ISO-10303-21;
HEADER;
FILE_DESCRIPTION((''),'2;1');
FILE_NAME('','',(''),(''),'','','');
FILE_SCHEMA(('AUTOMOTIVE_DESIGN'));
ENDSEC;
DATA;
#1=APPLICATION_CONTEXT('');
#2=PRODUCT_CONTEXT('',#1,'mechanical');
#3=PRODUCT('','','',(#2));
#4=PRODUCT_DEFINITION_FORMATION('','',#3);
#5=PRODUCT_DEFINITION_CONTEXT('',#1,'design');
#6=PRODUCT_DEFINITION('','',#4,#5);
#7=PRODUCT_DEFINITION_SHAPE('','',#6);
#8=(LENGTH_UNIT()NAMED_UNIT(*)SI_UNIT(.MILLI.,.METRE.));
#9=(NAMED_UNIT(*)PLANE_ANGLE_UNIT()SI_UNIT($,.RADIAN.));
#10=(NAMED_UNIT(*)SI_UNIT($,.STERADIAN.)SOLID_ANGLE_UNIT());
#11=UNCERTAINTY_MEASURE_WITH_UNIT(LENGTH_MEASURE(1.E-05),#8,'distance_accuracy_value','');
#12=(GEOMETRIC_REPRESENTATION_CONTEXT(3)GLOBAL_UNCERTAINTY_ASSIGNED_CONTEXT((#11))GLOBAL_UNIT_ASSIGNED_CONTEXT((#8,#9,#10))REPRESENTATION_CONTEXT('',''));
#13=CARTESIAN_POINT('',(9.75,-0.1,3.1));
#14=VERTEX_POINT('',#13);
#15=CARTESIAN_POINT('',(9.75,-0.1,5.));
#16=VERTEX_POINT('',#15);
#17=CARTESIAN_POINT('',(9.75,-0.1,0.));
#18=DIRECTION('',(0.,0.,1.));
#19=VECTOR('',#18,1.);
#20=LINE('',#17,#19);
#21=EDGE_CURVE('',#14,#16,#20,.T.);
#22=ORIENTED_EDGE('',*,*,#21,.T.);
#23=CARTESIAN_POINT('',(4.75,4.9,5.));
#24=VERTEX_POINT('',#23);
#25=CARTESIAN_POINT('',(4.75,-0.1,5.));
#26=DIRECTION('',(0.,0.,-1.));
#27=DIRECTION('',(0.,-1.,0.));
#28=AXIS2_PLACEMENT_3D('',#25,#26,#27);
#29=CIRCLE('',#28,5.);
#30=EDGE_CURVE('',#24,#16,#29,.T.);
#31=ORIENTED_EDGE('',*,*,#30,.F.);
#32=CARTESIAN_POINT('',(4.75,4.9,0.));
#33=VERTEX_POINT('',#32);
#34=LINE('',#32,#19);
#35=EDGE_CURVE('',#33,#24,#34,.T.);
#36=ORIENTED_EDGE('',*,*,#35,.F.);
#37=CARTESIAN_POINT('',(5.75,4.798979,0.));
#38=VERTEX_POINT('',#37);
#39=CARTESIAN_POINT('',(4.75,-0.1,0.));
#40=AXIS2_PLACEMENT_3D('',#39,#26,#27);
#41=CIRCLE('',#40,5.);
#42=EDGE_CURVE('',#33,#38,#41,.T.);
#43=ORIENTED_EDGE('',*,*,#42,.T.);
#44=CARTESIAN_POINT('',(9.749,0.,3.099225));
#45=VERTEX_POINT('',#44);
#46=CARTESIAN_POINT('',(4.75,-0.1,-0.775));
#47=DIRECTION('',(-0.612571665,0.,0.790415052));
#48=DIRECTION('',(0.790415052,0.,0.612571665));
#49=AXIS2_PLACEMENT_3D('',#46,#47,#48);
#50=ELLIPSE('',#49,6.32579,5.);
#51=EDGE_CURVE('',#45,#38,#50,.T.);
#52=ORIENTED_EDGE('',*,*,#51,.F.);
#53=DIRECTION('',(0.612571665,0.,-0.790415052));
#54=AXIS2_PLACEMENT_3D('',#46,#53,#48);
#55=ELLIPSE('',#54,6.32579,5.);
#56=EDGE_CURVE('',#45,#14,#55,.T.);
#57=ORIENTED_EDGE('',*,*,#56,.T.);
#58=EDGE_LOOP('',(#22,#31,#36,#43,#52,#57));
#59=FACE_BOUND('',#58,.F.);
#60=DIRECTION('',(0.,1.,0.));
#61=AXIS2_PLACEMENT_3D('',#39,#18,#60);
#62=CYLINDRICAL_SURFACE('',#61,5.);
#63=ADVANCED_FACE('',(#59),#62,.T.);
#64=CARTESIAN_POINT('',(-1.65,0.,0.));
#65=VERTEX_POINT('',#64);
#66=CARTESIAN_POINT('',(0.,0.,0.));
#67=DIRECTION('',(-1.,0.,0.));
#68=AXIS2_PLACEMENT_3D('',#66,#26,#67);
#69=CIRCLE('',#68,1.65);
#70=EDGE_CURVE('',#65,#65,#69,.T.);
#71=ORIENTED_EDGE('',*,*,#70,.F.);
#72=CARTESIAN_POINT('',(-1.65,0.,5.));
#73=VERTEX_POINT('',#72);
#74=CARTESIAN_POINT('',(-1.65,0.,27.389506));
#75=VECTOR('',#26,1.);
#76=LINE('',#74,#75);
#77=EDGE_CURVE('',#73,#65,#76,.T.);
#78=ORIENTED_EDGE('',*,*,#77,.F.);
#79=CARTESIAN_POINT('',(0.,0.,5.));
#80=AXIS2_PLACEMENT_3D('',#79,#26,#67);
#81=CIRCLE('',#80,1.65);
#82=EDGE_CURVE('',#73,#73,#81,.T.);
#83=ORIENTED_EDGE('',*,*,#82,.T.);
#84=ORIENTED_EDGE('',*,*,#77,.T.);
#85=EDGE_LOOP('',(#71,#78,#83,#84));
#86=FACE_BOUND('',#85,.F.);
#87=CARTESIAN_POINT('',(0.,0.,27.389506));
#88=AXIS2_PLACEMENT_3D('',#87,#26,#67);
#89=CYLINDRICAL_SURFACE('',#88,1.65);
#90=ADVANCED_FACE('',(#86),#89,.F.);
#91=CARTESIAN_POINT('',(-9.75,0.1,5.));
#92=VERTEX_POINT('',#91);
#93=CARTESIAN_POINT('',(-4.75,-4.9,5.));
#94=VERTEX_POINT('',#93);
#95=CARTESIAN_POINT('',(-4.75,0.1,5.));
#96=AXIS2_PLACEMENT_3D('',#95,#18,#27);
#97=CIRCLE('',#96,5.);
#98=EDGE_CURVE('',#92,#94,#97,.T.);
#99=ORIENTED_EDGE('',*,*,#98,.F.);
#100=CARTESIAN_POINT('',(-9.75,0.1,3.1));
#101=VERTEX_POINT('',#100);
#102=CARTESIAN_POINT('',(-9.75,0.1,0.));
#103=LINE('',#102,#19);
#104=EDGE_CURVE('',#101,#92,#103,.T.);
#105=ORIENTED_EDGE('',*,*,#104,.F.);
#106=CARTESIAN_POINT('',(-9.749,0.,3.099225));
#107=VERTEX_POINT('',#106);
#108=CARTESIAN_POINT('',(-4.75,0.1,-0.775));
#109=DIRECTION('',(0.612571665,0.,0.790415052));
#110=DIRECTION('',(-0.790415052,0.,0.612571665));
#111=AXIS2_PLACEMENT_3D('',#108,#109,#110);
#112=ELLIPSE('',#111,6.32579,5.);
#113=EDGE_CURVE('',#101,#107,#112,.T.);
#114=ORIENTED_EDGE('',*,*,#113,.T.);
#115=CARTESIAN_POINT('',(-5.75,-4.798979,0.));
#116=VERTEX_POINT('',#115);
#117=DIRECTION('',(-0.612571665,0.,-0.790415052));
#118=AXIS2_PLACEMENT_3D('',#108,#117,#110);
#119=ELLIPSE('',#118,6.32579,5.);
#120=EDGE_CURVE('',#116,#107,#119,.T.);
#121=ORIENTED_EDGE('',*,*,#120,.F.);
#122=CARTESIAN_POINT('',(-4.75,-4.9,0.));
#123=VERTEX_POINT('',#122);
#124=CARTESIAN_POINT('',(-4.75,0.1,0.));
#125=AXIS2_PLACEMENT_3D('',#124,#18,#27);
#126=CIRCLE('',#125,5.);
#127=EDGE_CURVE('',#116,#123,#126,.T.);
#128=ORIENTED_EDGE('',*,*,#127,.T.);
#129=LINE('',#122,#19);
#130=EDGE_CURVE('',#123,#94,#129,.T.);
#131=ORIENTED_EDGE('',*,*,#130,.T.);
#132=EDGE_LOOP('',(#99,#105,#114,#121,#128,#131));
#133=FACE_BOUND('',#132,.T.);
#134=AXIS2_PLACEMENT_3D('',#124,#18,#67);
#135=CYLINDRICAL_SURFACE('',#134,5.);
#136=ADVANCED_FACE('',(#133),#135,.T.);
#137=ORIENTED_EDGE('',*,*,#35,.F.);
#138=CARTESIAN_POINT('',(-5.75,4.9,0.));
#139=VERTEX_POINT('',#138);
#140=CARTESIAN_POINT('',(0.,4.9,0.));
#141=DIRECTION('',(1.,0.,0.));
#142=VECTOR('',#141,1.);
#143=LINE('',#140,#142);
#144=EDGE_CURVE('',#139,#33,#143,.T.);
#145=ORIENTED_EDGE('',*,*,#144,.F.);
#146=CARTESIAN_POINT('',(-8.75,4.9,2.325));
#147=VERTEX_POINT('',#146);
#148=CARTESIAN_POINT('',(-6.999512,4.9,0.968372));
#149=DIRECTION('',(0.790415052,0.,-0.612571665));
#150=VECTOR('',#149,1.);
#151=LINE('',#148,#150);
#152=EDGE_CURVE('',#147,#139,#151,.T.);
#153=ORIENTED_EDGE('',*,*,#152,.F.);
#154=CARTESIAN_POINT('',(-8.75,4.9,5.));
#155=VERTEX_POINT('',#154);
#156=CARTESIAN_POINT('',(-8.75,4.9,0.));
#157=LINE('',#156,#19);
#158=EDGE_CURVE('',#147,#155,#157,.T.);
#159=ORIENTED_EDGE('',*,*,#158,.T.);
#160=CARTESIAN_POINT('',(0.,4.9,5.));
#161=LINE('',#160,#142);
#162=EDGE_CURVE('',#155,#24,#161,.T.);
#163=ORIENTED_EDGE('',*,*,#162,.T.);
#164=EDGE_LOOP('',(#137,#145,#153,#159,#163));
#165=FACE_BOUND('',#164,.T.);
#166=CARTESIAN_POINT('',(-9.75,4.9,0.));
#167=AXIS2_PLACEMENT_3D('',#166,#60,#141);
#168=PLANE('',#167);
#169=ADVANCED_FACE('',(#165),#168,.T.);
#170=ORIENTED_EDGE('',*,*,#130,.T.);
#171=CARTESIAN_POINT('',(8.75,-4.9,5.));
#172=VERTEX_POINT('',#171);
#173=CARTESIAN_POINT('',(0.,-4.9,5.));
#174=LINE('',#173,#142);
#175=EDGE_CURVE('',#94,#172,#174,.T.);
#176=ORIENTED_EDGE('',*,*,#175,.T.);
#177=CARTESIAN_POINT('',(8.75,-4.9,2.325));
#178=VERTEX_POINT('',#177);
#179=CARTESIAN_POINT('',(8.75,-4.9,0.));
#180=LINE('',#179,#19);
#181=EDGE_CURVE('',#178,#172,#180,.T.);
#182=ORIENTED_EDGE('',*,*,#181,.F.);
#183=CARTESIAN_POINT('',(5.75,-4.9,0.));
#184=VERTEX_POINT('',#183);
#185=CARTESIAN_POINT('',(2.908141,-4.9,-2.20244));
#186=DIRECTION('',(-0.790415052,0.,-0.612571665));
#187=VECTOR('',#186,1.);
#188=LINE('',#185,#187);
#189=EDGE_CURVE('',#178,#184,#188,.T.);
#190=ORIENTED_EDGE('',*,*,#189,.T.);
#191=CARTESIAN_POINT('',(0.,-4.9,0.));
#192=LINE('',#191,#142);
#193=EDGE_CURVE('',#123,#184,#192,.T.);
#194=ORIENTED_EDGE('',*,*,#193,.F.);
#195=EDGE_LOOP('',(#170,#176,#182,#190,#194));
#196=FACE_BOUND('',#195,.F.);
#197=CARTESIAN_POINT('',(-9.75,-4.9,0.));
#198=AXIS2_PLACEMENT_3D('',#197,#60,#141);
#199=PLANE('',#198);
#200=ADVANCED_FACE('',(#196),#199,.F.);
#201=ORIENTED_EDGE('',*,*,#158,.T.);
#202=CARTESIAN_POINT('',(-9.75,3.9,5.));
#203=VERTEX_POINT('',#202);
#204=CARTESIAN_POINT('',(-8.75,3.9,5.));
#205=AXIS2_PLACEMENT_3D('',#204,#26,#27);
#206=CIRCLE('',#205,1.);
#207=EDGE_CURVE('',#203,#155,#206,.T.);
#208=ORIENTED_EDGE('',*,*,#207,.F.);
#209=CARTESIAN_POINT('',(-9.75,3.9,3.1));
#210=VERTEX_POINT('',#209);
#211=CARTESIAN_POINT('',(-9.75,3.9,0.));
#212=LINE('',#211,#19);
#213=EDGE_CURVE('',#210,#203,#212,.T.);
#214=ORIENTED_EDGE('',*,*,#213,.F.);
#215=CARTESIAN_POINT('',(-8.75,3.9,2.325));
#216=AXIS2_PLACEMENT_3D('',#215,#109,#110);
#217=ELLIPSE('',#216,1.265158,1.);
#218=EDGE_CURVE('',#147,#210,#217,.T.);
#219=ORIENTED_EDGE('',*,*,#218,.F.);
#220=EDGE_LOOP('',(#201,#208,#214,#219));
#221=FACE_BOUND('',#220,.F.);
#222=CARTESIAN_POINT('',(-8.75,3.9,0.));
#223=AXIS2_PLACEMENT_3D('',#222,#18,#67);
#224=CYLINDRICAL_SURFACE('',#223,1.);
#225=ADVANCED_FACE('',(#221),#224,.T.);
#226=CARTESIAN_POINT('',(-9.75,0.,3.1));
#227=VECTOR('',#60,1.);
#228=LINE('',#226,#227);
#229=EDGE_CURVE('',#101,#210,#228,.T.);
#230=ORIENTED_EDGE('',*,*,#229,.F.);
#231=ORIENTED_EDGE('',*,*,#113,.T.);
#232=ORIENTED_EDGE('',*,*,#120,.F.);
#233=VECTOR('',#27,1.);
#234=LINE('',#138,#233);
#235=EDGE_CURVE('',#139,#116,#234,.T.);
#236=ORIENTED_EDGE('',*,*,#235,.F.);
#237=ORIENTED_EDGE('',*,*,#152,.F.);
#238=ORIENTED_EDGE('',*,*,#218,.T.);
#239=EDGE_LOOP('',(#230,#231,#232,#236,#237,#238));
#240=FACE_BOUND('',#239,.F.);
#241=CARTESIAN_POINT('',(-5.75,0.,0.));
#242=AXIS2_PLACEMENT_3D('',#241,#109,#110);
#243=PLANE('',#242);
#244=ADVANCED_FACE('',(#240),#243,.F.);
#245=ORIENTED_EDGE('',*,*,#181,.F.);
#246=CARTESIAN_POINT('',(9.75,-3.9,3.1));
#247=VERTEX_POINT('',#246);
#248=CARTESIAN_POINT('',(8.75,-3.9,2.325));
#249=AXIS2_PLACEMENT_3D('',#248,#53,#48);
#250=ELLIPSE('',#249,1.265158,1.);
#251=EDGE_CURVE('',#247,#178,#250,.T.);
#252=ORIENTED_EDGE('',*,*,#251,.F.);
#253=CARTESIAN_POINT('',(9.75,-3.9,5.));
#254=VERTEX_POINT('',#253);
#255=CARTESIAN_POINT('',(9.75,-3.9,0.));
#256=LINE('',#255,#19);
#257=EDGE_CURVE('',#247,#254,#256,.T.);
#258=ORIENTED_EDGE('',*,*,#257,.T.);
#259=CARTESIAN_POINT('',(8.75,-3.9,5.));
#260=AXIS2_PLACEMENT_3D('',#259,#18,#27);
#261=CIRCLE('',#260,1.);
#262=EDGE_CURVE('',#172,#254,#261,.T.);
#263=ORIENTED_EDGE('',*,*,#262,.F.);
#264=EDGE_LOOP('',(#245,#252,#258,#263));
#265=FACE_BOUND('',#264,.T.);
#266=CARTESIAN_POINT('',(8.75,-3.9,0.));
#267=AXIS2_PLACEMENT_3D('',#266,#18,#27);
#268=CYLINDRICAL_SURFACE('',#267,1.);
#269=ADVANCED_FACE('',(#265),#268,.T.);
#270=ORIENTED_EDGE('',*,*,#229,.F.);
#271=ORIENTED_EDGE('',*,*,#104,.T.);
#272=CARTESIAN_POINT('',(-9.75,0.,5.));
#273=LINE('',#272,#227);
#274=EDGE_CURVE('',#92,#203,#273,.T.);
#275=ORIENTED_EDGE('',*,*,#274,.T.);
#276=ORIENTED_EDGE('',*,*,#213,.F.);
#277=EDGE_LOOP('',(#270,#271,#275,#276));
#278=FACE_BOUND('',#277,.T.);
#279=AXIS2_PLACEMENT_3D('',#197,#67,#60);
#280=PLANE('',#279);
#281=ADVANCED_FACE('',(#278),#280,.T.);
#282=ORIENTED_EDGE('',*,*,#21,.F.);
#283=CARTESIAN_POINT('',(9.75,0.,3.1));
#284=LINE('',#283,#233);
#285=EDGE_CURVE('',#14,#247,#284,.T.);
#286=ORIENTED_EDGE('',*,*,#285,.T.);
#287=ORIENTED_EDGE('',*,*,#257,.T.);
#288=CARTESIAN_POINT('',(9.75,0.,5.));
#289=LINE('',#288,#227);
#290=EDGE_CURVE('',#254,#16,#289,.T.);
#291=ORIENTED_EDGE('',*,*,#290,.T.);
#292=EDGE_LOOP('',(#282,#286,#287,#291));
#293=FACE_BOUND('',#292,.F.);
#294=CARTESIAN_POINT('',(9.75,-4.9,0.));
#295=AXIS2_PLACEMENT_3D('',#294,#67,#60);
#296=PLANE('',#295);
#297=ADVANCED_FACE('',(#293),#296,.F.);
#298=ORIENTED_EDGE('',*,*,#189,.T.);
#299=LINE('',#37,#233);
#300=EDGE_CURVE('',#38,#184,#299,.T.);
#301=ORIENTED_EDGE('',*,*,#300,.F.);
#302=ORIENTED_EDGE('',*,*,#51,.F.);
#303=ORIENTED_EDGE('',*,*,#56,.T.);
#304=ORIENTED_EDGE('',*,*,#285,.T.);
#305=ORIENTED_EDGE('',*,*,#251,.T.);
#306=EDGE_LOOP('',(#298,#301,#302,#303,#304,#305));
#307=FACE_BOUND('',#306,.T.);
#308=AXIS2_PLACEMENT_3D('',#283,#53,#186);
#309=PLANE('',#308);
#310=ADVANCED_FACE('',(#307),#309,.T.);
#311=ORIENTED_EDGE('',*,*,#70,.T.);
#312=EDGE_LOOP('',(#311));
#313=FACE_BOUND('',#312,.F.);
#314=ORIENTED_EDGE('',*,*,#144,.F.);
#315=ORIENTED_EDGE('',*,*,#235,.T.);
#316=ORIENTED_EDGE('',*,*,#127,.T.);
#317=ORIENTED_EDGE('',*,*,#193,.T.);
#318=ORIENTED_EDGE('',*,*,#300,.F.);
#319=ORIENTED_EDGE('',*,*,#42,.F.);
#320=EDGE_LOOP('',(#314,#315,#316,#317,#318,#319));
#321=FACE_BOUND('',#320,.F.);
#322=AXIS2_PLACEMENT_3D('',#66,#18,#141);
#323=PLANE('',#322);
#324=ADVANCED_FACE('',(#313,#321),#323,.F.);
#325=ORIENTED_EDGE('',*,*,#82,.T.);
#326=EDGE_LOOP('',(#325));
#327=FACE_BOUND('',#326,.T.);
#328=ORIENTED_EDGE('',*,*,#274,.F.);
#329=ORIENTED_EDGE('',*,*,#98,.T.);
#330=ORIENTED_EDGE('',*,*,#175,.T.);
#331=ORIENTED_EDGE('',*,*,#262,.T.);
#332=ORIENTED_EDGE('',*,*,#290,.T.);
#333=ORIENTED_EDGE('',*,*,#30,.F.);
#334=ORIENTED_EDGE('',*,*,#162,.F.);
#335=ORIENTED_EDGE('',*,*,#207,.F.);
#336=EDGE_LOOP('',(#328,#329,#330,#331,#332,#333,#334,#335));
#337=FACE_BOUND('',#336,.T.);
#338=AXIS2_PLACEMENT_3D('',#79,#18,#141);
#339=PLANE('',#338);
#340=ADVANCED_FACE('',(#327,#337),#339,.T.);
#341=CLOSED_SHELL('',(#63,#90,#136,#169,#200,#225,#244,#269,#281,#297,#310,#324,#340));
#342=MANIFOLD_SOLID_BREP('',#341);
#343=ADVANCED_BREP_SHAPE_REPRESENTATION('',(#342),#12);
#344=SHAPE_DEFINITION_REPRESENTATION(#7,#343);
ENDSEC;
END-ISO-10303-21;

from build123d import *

# Parameters (mm, degrees)
F0_W          = 19.5
F0_H          = 9.8
F1_DEPTH      = 5
F3_D          = 3.3
F4_R          = 5
F5_R          = 1
F7_DEPTH      = 4.901
F7_DEPTH_BACK = 4.901


with BuildPart() as f1:
    # F0 (on Top) → F1 (new body)
    with BuildSketch(Plane.XY):
        Rectangle(F0_W, F0_H)
    extrude(amount=F1_DEPTH)

    # F3 (through all)
    with Locations(Plane.XY.offset(5)):
        with Locations((0, 0)):
            Hole(F3_D / 2)

    # F4
    f4_edges = [f1.edges().sort_by_distance(p)[0] for p in [
        (-9.75, -4.9, 2.5),
        (9.75, 4.9, 2.5),
    ]]
    fillet(f4_edges, radius=F4_R)

    # F5
    f5_edges = [f1.edges().sort_by_distance(p)[0] for p in [
        (-9.75, 4.9, 2.5),
        (9.75, -4.9, 2.5),
    ]]
    fillet(f5_edges, radius=F5_R)

    # F6 (on Front) → F7 (cut, two sides)
    with BuildSketch(Plane.XZ) as f7_sk:
        Polygon((9.75, 3.1), (5.75, 0), (9.75, 0), align=None)
        Polygon((-9.75, 3.1), (-9.75, 0), (-5.75, 0), align=None)
    extrude(amount=-F7_DEPTH, mode=Mode.SUBTRACT)
    extrude(f7_sk.sketch, amount=F7_DEPTH_BACK, mode=Mode.SUBTRACT)


solid = f1.part
